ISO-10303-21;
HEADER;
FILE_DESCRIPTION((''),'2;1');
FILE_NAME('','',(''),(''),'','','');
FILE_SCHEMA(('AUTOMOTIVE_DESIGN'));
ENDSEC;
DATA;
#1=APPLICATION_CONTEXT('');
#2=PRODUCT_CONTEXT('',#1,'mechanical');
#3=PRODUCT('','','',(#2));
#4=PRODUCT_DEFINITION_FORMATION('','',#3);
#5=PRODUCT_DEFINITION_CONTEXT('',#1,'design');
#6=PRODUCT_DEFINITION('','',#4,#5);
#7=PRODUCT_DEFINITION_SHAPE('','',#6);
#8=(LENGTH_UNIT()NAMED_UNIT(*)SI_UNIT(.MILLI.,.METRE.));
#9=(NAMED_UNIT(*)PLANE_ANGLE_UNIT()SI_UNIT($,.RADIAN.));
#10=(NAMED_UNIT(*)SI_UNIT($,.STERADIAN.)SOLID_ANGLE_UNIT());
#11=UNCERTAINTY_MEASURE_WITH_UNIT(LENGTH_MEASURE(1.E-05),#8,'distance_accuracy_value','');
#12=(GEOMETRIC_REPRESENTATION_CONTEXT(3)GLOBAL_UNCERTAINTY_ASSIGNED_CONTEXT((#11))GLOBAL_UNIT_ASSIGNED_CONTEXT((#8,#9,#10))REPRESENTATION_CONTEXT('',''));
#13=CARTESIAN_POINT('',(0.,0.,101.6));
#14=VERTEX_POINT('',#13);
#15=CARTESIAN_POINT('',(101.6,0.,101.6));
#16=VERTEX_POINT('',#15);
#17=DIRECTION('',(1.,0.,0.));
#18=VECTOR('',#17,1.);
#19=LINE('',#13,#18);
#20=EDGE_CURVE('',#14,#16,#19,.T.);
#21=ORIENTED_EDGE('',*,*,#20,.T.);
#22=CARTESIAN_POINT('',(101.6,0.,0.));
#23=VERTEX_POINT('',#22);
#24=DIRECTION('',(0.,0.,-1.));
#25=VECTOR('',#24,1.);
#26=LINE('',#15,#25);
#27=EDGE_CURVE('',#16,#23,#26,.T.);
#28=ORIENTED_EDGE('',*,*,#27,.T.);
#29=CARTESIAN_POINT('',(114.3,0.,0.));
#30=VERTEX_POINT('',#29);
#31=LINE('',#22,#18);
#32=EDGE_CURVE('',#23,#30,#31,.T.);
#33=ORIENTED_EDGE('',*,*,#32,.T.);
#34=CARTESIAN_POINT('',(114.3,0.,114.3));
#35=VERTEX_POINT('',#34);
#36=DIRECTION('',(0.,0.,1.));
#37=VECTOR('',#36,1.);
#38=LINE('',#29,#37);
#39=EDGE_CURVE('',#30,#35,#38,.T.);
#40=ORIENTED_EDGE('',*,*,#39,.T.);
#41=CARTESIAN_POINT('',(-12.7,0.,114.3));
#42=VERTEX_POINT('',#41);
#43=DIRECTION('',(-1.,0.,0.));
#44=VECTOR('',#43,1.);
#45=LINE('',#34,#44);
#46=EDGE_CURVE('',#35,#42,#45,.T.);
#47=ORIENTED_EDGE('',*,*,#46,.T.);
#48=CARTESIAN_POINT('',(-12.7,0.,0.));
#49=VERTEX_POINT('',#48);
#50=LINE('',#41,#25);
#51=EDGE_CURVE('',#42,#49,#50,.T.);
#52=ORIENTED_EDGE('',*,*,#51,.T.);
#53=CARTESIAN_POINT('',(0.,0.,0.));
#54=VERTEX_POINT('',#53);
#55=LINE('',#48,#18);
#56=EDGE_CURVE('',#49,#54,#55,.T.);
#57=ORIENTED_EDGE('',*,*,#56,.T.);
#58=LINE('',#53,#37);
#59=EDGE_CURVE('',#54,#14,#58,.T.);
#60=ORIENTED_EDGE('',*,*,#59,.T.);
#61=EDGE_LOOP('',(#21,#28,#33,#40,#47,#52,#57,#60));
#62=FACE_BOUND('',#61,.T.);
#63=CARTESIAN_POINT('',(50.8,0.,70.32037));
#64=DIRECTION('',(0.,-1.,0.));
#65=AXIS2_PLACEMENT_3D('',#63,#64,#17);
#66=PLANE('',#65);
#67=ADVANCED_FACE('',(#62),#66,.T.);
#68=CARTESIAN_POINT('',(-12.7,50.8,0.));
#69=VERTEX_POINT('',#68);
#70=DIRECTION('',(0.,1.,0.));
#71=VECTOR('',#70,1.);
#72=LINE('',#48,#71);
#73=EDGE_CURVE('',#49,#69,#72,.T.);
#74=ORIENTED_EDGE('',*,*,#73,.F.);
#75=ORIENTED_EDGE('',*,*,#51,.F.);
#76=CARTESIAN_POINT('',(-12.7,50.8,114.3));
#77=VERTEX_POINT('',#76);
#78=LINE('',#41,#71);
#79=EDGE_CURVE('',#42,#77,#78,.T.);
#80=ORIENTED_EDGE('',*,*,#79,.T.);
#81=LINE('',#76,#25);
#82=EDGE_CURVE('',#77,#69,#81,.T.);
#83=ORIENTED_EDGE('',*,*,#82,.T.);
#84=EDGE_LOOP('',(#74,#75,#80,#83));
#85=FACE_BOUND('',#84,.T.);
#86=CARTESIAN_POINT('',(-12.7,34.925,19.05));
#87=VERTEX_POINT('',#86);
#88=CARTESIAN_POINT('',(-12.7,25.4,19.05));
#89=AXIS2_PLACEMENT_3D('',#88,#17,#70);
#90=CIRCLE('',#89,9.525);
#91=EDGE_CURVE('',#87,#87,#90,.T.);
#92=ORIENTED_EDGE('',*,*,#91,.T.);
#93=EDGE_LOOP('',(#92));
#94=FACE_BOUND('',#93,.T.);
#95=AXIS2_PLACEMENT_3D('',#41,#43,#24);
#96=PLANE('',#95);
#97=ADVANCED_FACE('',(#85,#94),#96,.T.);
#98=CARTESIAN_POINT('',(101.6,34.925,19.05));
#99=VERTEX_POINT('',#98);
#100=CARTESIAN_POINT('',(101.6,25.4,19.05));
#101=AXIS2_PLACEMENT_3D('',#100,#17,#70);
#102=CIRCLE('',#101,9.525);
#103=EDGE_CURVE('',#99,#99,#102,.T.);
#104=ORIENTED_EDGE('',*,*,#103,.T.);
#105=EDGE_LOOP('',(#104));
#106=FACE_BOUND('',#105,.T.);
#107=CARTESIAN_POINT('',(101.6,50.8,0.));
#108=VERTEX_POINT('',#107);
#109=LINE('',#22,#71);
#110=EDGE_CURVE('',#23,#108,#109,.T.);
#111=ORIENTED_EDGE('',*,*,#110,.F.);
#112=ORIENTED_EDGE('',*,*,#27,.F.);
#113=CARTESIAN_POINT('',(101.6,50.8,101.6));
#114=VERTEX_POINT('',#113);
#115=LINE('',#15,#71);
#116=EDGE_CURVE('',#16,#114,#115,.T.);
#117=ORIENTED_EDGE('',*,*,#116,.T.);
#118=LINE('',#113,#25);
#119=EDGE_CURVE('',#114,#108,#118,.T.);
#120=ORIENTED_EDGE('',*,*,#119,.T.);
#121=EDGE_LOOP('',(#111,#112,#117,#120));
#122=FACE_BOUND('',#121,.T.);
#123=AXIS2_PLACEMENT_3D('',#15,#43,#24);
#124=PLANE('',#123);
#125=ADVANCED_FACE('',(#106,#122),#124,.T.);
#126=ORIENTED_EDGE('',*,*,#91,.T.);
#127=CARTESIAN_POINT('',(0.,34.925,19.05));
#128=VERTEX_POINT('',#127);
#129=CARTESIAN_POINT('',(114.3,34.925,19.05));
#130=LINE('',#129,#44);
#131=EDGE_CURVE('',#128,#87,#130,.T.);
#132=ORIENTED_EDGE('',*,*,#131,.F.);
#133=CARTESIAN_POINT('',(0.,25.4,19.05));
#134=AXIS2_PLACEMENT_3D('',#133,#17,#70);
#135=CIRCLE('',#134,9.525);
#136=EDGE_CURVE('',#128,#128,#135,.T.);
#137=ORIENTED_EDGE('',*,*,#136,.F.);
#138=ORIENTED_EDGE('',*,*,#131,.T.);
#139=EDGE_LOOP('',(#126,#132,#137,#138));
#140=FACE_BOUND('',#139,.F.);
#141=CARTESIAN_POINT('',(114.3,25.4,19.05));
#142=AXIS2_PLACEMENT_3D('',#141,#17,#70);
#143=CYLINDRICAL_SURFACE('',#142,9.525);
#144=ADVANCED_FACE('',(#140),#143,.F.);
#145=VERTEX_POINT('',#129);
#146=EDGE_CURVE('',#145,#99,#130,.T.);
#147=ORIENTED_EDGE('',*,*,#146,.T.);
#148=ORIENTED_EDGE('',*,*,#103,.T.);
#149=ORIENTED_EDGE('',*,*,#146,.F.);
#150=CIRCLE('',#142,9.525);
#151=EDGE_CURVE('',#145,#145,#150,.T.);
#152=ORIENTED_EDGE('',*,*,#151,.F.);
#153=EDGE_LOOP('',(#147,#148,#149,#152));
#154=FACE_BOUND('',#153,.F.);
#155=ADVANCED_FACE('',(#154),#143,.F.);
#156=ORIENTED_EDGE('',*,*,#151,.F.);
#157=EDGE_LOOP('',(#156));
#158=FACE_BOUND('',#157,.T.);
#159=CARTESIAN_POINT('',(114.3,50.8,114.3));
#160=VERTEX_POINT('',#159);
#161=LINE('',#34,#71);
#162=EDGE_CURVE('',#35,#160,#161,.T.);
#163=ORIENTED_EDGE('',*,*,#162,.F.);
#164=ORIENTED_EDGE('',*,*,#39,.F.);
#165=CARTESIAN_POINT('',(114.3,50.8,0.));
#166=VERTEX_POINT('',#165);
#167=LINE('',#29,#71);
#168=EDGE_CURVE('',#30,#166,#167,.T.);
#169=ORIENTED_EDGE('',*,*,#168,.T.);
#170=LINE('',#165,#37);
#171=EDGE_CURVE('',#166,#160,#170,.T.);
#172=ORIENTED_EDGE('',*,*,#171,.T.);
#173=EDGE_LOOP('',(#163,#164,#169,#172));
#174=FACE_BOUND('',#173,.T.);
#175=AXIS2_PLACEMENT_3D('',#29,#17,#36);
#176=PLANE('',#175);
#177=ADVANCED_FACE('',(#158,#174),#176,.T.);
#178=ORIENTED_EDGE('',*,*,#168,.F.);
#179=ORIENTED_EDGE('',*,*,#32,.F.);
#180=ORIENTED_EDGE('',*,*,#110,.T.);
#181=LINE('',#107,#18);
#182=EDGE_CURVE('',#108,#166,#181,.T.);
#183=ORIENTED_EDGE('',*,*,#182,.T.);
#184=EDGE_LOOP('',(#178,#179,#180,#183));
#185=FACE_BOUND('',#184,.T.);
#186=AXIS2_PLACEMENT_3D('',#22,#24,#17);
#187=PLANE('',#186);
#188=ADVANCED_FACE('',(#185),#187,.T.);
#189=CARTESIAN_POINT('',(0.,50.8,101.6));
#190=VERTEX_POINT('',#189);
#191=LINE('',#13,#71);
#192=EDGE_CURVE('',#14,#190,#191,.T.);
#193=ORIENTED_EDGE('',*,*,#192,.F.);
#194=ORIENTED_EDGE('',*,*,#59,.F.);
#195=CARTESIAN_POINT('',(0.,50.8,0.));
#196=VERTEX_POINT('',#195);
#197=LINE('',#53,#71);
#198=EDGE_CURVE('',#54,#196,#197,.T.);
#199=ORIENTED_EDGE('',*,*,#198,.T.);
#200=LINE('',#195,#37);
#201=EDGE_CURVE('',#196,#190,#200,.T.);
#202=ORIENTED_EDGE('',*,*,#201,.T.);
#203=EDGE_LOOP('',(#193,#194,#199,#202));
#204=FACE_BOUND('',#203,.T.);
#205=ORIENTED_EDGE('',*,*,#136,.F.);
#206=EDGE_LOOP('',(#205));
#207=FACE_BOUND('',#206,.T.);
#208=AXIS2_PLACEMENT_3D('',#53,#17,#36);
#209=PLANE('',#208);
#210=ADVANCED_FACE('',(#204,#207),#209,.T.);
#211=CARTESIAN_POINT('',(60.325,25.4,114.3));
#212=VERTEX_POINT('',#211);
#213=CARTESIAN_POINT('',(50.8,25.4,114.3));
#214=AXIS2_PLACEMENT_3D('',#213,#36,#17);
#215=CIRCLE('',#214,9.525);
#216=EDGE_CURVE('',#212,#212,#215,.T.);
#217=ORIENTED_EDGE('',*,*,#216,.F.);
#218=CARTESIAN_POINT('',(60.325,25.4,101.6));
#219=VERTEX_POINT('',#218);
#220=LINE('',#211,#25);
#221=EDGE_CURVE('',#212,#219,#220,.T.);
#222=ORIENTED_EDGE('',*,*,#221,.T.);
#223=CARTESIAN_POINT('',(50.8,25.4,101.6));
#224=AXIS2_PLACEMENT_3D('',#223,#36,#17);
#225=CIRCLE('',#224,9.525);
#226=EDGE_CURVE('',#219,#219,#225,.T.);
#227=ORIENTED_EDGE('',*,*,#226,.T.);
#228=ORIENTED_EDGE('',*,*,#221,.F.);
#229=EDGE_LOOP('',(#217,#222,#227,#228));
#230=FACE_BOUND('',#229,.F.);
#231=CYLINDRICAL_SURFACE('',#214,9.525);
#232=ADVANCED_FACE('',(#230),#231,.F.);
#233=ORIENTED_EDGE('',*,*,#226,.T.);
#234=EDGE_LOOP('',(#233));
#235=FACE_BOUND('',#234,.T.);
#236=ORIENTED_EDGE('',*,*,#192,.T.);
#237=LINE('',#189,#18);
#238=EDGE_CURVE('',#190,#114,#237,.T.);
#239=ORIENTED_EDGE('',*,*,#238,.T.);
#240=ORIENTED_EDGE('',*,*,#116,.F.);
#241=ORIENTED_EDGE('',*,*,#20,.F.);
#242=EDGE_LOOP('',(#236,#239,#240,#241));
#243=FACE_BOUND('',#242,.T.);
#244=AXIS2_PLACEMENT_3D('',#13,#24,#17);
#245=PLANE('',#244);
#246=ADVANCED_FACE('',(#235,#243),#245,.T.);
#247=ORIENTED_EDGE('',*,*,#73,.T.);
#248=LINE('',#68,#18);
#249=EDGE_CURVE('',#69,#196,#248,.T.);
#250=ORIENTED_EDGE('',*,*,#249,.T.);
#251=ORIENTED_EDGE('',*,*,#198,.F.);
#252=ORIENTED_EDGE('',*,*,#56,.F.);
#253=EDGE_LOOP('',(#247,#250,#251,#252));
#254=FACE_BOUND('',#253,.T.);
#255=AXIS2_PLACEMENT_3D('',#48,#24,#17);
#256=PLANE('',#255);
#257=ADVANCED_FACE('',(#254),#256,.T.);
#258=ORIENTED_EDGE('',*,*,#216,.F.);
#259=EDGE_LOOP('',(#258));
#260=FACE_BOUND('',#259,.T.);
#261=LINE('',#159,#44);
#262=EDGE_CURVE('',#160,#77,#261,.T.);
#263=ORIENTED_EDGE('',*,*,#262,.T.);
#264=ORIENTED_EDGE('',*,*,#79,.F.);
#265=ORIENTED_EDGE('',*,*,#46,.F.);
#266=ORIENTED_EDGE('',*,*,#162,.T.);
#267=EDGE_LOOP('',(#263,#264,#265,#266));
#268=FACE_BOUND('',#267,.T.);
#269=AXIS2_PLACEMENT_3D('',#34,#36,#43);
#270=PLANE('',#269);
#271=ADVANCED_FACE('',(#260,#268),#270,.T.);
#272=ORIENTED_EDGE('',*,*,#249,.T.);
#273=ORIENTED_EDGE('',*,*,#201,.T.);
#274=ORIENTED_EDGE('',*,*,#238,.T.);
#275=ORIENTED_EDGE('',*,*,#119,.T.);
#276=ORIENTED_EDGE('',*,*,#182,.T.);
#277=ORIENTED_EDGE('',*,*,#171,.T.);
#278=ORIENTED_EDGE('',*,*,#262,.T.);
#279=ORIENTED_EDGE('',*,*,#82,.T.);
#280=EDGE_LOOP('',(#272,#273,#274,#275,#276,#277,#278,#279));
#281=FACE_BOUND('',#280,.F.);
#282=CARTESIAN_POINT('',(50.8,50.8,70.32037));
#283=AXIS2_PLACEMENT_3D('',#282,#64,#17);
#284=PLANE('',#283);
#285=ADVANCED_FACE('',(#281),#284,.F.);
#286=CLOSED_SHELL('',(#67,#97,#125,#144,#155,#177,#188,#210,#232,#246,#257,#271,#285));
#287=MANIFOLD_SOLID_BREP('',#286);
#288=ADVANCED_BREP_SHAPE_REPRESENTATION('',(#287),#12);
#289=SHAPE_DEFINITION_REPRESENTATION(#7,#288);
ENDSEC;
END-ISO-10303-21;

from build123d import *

# Parameters (mm, degrees)
F1_DEPTH = 50.8
F2_R     = 9.525
F3_DEPTH = 127
F4_R     = 9.525
F5_DEPTH = 12.7


with BuildPart() as f1:
    # F0 (on Front) → F1 (new body)
    with BuildSketch(Plane.XZ):
        Polygon((-12.7, 0), (0, 0), (0, 101.6), (101.6, 101.6), (101.6, 0), (114.3, 0), (114.3, 114.3), (-12.7, 114.3), align=None)
    extrude(amount=-F1_DEPTH)

    # F2 (on face) → F3 (cut)
    with BuildSketch(Plane.YZ.offset(114.3)):
        with Locations((25.4, 19.05)):
            Circle(F2_R)
    extrude(amount=-F3_DEPTH, mode=Mode.SUBTRACT)

    # F4 (on face) → F5 (cut, through all)
    with BuildSketch(Plane.XY.offset(114.3)):
        with Locations((50.8, 25.4)):
            Circle(F4_R)
    extrude(amount=-F5_DEPTH, mode=Mode.SUBTRACT)


solid = f1.part
